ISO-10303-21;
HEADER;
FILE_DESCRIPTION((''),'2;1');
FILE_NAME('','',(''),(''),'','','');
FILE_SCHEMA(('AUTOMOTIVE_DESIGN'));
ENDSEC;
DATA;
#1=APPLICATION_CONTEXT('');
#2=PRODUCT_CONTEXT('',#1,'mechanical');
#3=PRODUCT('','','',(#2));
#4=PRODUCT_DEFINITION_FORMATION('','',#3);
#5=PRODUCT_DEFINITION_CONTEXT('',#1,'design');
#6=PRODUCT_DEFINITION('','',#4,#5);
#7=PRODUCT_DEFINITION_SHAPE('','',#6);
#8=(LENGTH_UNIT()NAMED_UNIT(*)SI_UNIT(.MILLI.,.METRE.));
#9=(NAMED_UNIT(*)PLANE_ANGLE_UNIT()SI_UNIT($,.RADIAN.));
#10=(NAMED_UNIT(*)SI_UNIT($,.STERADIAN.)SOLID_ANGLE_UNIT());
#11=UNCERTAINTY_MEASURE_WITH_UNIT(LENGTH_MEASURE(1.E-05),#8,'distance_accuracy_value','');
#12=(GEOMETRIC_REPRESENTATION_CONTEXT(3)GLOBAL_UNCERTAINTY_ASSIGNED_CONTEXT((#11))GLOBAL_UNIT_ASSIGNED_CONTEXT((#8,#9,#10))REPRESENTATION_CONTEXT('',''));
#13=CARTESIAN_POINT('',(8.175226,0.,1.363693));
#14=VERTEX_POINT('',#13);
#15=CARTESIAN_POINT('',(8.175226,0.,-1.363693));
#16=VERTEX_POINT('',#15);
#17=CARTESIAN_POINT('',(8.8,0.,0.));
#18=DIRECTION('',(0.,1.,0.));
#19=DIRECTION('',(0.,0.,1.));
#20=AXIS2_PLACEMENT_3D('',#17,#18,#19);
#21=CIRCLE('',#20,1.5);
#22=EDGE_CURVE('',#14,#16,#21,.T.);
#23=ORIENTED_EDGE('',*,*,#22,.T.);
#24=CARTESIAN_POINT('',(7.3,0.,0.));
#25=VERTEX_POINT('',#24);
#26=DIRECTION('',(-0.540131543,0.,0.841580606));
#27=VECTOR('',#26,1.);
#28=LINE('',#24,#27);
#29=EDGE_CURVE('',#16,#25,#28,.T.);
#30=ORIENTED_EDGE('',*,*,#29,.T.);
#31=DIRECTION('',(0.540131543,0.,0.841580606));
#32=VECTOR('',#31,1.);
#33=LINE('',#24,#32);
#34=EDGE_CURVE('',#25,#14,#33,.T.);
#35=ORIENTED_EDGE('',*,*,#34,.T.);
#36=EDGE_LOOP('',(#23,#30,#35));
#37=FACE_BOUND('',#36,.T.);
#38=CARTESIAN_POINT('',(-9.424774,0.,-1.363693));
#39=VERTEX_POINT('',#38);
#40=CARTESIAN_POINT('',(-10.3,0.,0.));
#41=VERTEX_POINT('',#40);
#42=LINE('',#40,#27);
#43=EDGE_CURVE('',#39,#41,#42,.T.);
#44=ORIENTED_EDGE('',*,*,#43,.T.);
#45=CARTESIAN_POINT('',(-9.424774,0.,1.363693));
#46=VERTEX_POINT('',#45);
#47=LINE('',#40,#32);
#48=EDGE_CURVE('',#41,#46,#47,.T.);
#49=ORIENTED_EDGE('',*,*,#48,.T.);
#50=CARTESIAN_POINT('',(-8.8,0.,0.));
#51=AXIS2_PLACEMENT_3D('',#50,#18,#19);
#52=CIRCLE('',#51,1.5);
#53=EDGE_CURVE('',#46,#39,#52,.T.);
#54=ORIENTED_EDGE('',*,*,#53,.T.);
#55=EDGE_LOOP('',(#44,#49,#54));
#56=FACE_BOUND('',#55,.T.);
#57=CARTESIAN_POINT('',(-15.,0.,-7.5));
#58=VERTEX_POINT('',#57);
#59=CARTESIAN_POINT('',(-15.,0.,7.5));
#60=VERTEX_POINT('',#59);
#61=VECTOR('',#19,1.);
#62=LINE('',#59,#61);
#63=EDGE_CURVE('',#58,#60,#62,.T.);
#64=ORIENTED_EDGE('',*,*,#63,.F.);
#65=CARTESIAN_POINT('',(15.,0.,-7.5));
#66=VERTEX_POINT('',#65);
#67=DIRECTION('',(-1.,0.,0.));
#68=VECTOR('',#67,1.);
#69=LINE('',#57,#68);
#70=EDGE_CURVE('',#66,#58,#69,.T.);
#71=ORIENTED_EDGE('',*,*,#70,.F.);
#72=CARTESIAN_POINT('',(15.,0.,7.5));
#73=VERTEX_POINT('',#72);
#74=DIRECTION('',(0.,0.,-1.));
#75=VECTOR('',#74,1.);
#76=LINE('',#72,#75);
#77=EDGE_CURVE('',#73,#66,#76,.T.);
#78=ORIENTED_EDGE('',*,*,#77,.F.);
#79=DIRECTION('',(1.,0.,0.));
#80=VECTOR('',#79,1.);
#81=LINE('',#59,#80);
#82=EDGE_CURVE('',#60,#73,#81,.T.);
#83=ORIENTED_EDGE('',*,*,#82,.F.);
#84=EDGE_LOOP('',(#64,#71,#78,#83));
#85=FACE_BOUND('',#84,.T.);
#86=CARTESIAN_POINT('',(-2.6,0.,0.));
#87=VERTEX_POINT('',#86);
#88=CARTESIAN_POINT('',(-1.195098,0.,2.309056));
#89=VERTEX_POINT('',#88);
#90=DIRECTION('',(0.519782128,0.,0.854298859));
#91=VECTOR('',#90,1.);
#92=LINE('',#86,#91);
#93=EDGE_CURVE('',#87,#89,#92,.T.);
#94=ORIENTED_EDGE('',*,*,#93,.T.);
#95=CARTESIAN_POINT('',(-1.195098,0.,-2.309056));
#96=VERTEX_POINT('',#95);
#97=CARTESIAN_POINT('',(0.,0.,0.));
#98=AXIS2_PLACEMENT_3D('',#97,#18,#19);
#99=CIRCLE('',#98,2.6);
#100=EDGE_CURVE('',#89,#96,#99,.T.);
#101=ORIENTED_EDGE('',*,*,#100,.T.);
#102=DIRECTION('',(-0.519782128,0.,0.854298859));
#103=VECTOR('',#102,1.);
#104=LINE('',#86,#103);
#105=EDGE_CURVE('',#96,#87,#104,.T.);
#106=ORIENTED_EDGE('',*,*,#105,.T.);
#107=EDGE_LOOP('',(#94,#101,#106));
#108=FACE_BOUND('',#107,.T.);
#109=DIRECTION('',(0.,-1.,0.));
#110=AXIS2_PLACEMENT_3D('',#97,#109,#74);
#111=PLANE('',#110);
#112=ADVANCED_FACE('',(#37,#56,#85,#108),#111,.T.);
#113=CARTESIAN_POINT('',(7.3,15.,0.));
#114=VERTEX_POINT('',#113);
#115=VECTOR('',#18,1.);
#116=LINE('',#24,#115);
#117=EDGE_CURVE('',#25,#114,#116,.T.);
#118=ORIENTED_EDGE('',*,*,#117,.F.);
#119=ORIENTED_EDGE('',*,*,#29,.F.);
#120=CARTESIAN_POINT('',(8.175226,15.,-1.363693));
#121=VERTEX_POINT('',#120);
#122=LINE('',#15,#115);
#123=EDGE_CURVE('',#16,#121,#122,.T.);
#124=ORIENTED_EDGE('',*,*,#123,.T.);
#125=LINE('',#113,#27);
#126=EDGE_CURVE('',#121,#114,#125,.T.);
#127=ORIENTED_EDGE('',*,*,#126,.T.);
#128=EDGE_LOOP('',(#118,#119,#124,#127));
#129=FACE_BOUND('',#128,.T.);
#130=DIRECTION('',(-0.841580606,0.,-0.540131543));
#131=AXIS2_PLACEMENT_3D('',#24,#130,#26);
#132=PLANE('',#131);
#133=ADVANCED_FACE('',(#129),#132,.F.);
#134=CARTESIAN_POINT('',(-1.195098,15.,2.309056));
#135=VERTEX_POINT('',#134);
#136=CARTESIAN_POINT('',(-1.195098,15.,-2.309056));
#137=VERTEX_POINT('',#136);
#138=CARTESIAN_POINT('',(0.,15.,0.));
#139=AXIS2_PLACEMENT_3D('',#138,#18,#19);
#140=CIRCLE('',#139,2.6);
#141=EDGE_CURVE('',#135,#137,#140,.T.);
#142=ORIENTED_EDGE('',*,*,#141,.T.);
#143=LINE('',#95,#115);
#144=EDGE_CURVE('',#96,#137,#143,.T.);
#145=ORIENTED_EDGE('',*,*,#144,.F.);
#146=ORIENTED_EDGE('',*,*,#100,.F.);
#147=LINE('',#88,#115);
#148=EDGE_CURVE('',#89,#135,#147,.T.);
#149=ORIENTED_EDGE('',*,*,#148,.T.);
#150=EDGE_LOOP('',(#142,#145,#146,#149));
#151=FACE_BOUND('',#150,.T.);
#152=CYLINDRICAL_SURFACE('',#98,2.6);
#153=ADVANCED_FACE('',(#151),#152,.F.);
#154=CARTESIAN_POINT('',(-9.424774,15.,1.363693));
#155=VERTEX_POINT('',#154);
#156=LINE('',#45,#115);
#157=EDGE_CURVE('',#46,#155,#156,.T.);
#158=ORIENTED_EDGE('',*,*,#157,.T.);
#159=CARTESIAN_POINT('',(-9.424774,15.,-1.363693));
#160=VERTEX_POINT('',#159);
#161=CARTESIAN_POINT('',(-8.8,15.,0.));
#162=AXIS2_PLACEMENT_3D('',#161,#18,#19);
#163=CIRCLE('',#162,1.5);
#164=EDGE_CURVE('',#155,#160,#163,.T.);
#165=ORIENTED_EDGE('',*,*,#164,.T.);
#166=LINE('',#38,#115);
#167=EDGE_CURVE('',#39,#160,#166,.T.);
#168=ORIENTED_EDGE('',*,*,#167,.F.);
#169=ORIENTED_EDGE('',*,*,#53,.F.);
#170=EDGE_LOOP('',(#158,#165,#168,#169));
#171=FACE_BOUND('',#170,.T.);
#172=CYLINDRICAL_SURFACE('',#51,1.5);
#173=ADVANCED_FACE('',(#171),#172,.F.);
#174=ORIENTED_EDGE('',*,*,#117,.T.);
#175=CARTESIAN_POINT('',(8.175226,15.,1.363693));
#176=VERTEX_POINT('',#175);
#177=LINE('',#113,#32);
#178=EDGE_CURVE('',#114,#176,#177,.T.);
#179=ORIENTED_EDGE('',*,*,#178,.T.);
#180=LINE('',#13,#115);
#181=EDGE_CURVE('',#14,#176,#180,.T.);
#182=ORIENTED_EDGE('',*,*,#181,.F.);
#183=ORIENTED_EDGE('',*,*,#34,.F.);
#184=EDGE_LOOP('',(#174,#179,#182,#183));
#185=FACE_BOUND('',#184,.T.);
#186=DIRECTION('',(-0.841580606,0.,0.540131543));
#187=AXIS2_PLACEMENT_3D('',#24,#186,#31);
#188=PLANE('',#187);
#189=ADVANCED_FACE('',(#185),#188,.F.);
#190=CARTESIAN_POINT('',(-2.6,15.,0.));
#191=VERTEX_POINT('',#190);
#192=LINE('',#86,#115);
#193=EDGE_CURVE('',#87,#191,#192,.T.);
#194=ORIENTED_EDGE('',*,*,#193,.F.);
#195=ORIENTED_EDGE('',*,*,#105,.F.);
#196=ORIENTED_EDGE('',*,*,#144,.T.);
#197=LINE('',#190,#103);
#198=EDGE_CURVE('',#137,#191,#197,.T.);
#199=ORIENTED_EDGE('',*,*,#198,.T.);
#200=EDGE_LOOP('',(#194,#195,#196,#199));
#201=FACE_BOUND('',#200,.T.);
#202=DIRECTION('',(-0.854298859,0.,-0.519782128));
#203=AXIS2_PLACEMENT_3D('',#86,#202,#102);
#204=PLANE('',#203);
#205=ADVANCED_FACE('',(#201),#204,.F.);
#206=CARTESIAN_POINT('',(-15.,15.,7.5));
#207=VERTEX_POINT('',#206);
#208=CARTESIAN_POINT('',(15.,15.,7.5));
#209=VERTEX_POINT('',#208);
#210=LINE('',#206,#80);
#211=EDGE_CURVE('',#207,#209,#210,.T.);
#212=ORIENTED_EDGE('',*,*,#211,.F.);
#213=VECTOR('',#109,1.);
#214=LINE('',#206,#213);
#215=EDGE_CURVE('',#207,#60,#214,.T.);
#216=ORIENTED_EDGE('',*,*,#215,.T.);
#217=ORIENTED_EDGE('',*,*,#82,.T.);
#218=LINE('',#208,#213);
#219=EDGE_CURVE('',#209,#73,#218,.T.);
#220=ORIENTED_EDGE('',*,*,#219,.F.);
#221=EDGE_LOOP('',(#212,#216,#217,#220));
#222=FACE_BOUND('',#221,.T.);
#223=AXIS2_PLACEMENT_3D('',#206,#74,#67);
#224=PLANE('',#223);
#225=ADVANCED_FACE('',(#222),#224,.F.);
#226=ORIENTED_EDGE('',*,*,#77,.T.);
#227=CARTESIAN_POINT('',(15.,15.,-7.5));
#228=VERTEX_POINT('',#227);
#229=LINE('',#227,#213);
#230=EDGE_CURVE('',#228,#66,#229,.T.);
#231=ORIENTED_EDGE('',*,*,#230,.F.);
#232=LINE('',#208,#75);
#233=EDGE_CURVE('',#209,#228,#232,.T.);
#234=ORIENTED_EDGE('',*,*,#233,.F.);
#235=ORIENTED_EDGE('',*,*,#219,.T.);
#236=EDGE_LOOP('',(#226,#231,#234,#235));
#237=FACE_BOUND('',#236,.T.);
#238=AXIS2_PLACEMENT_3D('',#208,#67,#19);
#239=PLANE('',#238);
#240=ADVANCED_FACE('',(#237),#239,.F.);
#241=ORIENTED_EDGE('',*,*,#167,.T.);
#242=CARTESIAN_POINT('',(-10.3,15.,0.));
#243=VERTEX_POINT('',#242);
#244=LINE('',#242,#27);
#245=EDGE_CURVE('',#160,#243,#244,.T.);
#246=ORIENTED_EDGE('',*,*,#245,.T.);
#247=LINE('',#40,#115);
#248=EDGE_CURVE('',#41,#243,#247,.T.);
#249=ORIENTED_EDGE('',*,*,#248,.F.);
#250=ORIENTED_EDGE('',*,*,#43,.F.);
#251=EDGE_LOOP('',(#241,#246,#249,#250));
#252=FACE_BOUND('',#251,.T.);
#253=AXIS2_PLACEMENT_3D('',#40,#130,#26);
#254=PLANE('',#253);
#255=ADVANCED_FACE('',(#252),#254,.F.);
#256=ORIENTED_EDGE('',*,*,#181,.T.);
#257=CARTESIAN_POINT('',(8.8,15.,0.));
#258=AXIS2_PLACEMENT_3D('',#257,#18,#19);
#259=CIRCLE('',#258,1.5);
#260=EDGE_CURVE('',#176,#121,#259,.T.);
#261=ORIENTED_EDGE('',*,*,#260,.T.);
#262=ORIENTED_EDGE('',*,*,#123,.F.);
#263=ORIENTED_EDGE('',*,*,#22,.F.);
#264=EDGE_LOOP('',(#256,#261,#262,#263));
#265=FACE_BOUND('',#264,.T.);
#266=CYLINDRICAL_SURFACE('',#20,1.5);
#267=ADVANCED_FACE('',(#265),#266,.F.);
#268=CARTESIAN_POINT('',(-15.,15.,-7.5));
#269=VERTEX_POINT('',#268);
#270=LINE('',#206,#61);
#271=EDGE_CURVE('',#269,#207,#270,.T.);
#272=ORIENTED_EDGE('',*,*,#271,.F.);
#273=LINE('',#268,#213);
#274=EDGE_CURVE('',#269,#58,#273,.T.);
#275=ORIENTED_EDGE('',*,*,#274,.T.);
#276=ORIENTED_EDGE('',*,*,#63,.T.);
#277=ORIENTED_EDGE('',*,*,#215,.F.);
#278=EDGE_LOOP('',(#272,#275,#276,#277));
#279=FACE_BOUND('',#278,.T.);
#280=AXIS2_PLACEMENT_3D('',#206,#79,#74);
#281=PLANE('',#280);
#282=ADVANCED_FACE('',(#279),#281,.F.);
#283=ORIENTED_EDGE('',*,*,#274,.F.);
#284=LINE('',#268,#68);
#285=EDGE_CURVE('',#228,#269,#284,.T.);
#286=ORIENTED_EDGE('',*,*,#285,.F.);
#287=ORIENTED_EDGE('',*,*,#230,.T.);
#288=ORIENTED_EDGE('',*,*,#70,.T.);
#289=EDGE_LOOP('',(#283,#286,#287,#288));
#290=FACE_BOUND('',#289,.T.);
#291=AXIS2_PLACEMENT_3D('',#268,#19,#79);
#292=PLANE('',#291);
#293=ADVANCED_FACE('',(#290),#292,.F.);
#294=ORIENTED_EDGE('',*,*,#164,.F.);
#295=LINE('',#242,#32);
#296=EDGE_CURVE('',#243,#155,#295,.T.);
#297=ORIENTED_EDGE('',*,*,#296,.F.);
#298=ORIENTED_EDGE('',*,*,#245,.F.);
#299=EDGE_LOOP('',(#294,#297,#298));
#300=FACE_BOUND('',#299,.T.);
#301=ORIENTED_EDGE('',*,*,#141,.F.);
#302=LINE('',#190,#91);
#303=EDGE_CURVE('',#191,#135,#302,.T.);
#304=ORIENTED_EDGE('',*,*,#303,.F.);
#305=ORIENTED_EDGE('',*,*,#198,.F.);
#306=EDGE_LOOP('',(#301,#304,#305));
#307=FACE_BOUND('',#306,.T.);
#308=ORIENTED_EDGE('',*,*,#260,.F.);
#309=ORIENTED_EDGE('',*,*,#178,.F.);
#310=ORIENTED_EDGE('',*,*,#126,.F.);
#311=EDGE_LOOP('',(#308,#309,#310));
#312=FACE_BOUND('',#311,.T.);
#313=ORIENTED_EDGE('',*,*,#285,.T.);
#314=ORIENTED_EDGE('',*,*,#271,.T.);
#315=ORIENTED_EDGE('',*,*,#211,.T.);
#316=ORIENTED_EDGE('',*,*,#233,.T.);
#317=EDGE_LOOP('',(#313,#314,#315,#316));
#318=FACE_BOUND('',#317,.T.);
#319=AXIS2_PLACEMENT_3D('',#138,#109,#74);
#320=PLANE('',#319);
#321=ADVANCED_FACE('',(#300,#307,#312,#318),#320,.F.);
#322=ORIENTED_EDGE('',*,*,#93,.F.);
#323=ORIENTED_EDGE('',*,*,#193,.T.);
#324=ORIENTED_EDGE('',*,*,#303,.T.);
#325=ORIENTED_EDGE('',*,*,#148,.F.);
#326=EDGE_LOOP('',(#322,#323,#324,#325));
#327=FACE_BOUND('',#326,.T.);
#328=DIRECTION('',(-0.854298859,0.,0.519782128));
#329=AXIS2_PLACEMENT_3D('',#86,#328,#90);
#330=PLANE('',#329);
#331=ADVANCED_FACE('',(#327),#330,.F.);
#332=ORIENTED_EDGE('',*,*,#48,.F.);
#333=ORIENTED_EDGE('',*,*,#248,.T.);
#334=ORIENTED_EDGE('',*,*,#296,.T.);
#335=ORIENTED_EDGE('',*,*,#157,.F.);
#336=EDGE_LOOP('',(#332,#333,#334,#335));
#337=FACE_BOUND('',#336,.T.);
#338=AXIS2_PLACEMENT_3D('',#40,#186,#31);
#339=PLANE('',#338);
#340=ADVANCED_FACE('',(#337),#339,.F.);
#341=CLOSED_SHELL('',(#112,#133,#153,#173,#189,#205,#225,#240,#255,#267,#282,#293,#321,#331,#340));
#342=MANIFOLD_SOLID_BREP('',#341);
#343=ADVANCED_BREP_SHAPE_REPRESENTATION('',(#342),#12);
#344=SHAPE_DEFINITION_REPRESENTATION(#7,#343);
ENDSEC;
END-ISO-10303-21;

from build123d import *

# Parameters (mm, degrees)
SKETCH1_W           = 30
SKETCH1_H           = 15
BOSS_EXTRUDE1_DEPTH = 15
CUT_EXTRUDE1_DEPTH  = 23.5


with BuildPart() as part:
    # Sketch1 → Boss-Extrude1 (new body)
    with BuildSketch(Plane(origin=(0, 0, 0), x_dir=(1, 0, 0), z_dir=(0, 1, 0))):
        Rectangle(SKETCH1_W, SKETCH1_H)
    extrude(amount=BOSS_EXTRUDE1_DEPTH)

    # Sketch2 → Cut-Extrude1 (cut, through all)
    with BuildSketch(Plane(origin=(0, 15, 0), x_dir=(1, 0, 0), z_dir=(0, 1, 0))):
        with BuildLine():
            Line((-10.3, 0), (-9.424773748, -1.363692694))
            ThreePointArc((-9.424773748, -1.363692694), (-7.3, 0), (-9.424773748, 1.363692694))
            Line((-9.424773748, 1.363692694), (-10.3, 0))
        make_face()
        with BuildLine():
            Line((-2.6, 0), (-1.195098007, -2.309056248))
            ThreePointArc((-1.195098007, -2.309056248), (2.6, 0), (-1.195098007, 2.309056248))
            Line((-1.195098007, 2.309056248), (-2.6, 0))
        make_face()
        with BuildLine():
            Line((7.3, 0), (8.175226252, -1.363692694))
            ThreePointArc((8.175226252, -1.363692694), (10.3, 0), (8.175226252, 1.363692694))
            Line((8.175226252, 1.363692694), (7.3, 0))
        make_face()
    extrude(amount=-CUT_EXTRUDE1_DEPTH, mode=Mode.SUBTRACT)


solid = part.part
